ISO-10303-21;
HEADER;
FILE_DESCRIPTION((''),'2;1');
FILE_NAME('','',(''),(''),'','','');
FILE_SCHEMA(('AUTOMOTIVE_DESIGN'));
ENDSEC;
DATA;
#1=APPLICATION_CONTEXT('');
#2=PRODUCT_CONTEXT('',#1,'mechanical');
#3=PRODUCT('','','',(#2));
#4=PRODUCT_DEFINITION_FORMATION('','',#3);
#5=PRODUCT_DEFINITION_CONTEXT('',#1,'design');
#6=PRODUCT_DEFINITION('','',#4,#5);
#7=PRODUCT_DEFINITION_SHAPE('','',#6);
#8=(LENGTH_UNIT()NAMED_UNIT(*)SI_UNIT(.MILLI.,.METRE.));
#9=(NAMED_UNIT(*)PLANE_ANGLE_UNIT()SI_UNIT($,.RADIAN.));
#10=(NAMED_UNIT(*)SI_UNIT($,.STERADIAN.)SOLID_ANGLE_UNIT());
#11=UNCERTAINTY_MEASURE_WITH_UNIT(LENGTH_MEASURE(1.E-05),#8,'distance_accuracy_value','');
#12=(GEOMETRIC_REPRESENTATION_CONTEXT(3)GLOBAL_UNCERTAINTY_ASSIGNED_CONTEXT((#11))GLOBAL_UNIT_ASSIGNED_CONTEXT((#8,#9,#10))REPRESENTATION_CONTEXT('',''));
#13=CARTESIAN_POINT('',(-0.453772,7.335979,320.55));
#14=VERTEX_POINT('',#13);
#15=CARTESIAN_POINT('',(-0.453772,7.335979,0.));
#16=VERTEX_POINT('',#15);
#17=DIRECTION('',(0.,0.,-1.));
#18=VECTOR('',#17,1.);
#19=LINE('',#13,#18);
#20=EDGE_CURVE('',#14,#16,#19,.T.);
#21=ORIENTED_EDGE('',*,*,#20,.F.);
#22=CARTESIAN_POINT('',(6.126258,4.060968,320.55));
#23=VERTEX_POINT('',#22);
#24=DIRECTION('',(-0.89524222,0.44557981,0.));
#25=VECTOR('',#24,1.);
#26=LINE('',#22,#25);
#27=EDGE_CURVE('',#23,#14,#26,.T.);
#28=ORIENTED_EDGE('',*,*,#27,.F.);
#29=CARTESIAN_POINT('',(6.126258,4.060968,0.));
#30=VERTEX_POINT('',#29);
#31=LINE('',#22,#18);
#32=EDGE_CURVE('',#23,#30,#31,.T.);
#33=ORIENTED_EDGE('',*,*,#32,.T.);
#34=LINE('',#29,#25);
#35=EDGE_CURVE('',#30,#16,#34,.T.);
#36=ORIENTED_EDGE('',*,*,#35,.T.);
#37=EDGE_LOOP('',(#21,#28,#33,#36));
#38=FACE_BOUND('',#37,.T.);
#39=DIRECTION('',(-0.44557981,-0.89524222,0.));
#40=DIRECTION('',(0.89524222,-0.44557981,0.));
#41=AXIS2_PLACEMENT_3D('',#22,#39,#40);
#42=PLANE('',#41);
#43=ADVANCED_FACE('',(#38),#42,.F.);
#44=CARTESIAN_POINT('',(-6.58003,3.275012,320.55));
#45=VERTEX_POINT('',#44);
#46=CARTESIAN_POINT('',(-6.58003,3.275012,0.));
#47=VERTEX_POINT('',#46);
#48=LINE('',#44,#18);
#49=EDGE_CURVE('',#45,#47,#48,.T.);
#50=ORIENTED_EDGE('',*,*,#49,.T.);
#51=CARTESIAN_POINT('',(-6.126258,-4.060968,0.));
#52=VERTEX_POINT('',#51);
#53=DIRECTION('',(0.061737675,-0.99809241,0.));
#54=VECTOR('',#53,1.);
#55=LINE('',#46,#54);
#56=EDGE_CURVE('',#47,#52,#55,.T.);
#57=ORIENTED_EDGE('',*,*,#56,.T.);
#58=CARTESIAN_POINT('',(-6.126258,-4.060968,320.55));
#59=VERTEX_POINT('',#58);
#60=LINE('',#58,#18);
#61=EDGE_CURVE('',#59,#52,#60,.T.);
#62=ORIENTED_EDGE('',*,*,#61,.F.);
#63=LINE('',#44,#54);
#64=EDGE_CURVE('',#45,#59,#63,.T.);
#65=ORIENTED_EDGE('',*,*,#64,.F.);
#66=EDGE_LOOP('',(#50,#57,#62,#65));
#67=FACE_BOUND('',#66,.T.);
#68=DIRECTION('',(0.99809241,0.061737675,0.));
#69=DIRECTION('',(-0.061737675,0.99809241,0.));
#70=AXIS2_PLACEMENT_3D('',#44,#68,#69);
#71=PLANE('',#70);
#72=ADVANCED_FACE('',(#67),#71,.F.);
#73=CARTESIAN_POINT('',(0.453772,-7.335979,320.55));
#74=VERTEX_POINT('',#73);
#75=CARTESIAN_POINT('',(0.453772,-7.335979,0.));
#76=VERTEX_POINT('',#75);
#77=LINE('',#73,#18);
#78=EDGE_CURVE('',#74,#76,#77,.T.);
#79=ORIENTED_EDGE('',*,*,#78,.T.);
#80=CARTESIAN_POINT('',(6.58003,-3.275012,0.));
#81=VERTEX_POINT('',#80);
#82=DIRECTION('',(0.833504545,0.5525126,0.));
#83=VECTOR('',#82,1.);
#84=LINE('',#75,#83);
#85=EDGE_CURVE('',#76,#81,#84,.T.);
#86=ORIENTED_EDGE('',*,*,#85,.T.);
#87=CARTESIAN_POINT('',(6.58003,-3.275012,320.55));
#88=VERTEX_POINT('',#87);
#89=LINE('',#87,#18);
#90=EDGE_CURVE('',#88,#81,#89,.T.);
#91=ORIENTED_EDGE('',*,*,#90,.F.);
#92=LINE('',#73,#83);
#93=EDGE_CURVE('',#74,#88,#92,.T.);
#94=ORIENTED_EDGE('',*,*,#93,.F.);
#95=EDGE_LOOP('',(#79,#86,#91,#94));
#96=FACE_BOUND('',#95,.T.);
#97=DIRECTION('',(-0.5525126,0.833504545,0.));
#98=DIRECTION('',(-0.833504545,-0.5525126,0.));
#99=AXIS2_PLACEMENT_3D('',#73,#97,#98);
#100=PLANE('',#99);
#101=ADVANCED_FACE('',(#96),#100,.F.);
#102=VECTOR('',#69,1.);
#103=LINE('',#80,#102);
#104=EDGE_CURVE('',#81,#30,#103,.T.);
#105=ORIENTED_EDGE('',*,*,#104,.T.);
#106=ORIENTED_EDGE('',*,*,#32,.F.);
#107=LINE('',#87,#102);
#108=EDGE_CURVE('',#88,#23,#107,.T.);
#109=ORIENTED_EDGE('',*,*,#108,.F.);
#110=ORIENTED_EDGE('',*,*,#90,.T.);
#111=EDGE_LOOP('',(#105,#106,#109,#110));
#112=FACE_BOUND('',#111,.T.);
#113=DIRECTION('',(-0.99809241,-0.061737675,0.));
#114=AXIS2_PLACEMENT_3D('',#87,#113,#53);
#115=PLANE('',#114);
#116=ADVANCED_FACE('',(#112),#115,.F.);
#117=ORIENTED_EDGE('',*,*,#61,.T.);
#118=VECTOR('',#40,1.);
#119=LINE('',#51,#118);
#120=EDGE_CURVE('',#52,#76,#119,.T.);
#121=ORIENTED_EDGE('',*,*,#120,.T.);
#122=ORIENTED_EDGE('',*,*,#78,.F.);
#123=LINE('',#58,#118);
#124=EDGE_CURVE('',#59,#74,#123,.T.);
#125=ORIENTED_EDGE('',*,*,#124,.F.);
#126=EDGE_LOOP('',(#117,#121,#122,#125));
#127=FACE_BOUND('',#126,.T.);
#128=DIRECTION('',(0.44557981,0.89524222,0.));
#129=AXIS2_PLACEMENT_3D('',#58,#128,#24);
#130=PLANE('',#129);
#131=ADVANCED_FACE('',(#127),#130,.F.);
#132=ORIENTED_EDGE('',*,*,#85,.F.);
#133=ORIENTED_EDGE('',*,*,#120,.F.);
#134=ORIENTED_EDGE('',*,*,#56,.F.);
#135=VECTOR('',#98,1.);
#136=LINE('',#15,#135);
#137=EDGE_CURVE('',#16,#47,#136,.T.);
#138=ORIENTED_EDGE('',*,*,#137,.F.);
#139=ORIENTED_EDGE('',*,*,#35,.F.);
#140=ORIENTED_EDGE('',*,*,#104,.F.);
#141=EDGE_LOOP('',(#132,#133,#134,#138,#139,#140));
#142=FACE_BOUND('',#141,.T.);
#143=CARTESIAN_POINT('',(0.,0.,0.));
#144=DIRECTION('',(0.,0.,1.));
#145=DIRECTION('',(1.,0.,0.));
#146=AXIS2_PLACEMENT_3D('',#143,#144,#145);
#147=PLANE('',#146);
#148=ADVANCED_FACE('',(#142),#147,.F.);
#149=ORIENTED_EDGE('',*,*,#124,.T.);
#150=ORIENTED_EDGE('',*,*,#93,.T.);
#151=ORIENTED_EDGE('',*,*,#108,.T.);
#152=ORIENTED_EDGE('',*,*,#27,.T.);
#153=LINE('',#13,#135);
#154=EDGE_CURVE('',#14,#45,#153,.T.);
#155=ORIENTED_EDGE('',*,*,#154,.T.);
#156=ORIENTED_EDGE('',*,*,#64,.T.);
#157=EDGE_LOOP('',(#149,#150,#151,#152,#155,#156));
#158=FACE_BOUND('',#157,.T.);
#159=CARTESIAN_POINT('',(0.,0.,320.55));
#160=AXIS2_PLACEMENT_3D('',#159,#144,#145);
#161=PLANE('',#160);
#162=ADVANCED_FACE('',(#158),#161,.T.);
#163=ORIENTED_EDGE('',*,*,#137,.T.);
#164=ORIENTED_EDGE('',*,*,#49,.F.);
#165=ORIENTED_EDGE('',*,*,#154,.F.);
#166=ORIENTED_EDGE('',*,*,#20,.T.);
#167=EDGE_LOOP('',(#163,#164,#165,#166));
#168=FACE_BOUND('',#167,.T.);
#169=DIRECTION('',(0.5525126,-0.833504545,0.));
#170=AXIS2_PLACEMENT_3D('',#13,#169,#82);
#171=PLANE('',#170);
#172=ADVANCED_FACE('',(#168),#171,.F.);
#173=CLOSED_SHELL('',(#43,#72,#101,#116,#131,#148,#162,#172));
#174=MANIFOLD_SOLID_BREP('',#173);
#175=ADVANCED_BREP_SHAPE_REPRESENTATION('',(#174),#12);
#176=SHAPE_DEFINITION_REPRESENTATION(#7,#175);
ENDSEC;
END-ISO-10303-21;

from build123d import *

# Parameters (mm, degrees)
BOSS_EXTRUDE1_DEPTH = 320.55


with BuildPart() as part:
    # Sketch1 → Boss-Extrude1 (new body)
    with BuildSketch(Plane.XY):
        Polygon((-0.45377191, 7.335979216), (-6.580030318, 3.275011606), (-6.126258407, -4.06096761), (0.45377191, -7.335979216), (6.580030318, -3.275011606), (6.126258407, 4.06096761), align=None)
    extrude(amount=BOSS_EXTRUDE1_DEPTH)


solid = part.part
